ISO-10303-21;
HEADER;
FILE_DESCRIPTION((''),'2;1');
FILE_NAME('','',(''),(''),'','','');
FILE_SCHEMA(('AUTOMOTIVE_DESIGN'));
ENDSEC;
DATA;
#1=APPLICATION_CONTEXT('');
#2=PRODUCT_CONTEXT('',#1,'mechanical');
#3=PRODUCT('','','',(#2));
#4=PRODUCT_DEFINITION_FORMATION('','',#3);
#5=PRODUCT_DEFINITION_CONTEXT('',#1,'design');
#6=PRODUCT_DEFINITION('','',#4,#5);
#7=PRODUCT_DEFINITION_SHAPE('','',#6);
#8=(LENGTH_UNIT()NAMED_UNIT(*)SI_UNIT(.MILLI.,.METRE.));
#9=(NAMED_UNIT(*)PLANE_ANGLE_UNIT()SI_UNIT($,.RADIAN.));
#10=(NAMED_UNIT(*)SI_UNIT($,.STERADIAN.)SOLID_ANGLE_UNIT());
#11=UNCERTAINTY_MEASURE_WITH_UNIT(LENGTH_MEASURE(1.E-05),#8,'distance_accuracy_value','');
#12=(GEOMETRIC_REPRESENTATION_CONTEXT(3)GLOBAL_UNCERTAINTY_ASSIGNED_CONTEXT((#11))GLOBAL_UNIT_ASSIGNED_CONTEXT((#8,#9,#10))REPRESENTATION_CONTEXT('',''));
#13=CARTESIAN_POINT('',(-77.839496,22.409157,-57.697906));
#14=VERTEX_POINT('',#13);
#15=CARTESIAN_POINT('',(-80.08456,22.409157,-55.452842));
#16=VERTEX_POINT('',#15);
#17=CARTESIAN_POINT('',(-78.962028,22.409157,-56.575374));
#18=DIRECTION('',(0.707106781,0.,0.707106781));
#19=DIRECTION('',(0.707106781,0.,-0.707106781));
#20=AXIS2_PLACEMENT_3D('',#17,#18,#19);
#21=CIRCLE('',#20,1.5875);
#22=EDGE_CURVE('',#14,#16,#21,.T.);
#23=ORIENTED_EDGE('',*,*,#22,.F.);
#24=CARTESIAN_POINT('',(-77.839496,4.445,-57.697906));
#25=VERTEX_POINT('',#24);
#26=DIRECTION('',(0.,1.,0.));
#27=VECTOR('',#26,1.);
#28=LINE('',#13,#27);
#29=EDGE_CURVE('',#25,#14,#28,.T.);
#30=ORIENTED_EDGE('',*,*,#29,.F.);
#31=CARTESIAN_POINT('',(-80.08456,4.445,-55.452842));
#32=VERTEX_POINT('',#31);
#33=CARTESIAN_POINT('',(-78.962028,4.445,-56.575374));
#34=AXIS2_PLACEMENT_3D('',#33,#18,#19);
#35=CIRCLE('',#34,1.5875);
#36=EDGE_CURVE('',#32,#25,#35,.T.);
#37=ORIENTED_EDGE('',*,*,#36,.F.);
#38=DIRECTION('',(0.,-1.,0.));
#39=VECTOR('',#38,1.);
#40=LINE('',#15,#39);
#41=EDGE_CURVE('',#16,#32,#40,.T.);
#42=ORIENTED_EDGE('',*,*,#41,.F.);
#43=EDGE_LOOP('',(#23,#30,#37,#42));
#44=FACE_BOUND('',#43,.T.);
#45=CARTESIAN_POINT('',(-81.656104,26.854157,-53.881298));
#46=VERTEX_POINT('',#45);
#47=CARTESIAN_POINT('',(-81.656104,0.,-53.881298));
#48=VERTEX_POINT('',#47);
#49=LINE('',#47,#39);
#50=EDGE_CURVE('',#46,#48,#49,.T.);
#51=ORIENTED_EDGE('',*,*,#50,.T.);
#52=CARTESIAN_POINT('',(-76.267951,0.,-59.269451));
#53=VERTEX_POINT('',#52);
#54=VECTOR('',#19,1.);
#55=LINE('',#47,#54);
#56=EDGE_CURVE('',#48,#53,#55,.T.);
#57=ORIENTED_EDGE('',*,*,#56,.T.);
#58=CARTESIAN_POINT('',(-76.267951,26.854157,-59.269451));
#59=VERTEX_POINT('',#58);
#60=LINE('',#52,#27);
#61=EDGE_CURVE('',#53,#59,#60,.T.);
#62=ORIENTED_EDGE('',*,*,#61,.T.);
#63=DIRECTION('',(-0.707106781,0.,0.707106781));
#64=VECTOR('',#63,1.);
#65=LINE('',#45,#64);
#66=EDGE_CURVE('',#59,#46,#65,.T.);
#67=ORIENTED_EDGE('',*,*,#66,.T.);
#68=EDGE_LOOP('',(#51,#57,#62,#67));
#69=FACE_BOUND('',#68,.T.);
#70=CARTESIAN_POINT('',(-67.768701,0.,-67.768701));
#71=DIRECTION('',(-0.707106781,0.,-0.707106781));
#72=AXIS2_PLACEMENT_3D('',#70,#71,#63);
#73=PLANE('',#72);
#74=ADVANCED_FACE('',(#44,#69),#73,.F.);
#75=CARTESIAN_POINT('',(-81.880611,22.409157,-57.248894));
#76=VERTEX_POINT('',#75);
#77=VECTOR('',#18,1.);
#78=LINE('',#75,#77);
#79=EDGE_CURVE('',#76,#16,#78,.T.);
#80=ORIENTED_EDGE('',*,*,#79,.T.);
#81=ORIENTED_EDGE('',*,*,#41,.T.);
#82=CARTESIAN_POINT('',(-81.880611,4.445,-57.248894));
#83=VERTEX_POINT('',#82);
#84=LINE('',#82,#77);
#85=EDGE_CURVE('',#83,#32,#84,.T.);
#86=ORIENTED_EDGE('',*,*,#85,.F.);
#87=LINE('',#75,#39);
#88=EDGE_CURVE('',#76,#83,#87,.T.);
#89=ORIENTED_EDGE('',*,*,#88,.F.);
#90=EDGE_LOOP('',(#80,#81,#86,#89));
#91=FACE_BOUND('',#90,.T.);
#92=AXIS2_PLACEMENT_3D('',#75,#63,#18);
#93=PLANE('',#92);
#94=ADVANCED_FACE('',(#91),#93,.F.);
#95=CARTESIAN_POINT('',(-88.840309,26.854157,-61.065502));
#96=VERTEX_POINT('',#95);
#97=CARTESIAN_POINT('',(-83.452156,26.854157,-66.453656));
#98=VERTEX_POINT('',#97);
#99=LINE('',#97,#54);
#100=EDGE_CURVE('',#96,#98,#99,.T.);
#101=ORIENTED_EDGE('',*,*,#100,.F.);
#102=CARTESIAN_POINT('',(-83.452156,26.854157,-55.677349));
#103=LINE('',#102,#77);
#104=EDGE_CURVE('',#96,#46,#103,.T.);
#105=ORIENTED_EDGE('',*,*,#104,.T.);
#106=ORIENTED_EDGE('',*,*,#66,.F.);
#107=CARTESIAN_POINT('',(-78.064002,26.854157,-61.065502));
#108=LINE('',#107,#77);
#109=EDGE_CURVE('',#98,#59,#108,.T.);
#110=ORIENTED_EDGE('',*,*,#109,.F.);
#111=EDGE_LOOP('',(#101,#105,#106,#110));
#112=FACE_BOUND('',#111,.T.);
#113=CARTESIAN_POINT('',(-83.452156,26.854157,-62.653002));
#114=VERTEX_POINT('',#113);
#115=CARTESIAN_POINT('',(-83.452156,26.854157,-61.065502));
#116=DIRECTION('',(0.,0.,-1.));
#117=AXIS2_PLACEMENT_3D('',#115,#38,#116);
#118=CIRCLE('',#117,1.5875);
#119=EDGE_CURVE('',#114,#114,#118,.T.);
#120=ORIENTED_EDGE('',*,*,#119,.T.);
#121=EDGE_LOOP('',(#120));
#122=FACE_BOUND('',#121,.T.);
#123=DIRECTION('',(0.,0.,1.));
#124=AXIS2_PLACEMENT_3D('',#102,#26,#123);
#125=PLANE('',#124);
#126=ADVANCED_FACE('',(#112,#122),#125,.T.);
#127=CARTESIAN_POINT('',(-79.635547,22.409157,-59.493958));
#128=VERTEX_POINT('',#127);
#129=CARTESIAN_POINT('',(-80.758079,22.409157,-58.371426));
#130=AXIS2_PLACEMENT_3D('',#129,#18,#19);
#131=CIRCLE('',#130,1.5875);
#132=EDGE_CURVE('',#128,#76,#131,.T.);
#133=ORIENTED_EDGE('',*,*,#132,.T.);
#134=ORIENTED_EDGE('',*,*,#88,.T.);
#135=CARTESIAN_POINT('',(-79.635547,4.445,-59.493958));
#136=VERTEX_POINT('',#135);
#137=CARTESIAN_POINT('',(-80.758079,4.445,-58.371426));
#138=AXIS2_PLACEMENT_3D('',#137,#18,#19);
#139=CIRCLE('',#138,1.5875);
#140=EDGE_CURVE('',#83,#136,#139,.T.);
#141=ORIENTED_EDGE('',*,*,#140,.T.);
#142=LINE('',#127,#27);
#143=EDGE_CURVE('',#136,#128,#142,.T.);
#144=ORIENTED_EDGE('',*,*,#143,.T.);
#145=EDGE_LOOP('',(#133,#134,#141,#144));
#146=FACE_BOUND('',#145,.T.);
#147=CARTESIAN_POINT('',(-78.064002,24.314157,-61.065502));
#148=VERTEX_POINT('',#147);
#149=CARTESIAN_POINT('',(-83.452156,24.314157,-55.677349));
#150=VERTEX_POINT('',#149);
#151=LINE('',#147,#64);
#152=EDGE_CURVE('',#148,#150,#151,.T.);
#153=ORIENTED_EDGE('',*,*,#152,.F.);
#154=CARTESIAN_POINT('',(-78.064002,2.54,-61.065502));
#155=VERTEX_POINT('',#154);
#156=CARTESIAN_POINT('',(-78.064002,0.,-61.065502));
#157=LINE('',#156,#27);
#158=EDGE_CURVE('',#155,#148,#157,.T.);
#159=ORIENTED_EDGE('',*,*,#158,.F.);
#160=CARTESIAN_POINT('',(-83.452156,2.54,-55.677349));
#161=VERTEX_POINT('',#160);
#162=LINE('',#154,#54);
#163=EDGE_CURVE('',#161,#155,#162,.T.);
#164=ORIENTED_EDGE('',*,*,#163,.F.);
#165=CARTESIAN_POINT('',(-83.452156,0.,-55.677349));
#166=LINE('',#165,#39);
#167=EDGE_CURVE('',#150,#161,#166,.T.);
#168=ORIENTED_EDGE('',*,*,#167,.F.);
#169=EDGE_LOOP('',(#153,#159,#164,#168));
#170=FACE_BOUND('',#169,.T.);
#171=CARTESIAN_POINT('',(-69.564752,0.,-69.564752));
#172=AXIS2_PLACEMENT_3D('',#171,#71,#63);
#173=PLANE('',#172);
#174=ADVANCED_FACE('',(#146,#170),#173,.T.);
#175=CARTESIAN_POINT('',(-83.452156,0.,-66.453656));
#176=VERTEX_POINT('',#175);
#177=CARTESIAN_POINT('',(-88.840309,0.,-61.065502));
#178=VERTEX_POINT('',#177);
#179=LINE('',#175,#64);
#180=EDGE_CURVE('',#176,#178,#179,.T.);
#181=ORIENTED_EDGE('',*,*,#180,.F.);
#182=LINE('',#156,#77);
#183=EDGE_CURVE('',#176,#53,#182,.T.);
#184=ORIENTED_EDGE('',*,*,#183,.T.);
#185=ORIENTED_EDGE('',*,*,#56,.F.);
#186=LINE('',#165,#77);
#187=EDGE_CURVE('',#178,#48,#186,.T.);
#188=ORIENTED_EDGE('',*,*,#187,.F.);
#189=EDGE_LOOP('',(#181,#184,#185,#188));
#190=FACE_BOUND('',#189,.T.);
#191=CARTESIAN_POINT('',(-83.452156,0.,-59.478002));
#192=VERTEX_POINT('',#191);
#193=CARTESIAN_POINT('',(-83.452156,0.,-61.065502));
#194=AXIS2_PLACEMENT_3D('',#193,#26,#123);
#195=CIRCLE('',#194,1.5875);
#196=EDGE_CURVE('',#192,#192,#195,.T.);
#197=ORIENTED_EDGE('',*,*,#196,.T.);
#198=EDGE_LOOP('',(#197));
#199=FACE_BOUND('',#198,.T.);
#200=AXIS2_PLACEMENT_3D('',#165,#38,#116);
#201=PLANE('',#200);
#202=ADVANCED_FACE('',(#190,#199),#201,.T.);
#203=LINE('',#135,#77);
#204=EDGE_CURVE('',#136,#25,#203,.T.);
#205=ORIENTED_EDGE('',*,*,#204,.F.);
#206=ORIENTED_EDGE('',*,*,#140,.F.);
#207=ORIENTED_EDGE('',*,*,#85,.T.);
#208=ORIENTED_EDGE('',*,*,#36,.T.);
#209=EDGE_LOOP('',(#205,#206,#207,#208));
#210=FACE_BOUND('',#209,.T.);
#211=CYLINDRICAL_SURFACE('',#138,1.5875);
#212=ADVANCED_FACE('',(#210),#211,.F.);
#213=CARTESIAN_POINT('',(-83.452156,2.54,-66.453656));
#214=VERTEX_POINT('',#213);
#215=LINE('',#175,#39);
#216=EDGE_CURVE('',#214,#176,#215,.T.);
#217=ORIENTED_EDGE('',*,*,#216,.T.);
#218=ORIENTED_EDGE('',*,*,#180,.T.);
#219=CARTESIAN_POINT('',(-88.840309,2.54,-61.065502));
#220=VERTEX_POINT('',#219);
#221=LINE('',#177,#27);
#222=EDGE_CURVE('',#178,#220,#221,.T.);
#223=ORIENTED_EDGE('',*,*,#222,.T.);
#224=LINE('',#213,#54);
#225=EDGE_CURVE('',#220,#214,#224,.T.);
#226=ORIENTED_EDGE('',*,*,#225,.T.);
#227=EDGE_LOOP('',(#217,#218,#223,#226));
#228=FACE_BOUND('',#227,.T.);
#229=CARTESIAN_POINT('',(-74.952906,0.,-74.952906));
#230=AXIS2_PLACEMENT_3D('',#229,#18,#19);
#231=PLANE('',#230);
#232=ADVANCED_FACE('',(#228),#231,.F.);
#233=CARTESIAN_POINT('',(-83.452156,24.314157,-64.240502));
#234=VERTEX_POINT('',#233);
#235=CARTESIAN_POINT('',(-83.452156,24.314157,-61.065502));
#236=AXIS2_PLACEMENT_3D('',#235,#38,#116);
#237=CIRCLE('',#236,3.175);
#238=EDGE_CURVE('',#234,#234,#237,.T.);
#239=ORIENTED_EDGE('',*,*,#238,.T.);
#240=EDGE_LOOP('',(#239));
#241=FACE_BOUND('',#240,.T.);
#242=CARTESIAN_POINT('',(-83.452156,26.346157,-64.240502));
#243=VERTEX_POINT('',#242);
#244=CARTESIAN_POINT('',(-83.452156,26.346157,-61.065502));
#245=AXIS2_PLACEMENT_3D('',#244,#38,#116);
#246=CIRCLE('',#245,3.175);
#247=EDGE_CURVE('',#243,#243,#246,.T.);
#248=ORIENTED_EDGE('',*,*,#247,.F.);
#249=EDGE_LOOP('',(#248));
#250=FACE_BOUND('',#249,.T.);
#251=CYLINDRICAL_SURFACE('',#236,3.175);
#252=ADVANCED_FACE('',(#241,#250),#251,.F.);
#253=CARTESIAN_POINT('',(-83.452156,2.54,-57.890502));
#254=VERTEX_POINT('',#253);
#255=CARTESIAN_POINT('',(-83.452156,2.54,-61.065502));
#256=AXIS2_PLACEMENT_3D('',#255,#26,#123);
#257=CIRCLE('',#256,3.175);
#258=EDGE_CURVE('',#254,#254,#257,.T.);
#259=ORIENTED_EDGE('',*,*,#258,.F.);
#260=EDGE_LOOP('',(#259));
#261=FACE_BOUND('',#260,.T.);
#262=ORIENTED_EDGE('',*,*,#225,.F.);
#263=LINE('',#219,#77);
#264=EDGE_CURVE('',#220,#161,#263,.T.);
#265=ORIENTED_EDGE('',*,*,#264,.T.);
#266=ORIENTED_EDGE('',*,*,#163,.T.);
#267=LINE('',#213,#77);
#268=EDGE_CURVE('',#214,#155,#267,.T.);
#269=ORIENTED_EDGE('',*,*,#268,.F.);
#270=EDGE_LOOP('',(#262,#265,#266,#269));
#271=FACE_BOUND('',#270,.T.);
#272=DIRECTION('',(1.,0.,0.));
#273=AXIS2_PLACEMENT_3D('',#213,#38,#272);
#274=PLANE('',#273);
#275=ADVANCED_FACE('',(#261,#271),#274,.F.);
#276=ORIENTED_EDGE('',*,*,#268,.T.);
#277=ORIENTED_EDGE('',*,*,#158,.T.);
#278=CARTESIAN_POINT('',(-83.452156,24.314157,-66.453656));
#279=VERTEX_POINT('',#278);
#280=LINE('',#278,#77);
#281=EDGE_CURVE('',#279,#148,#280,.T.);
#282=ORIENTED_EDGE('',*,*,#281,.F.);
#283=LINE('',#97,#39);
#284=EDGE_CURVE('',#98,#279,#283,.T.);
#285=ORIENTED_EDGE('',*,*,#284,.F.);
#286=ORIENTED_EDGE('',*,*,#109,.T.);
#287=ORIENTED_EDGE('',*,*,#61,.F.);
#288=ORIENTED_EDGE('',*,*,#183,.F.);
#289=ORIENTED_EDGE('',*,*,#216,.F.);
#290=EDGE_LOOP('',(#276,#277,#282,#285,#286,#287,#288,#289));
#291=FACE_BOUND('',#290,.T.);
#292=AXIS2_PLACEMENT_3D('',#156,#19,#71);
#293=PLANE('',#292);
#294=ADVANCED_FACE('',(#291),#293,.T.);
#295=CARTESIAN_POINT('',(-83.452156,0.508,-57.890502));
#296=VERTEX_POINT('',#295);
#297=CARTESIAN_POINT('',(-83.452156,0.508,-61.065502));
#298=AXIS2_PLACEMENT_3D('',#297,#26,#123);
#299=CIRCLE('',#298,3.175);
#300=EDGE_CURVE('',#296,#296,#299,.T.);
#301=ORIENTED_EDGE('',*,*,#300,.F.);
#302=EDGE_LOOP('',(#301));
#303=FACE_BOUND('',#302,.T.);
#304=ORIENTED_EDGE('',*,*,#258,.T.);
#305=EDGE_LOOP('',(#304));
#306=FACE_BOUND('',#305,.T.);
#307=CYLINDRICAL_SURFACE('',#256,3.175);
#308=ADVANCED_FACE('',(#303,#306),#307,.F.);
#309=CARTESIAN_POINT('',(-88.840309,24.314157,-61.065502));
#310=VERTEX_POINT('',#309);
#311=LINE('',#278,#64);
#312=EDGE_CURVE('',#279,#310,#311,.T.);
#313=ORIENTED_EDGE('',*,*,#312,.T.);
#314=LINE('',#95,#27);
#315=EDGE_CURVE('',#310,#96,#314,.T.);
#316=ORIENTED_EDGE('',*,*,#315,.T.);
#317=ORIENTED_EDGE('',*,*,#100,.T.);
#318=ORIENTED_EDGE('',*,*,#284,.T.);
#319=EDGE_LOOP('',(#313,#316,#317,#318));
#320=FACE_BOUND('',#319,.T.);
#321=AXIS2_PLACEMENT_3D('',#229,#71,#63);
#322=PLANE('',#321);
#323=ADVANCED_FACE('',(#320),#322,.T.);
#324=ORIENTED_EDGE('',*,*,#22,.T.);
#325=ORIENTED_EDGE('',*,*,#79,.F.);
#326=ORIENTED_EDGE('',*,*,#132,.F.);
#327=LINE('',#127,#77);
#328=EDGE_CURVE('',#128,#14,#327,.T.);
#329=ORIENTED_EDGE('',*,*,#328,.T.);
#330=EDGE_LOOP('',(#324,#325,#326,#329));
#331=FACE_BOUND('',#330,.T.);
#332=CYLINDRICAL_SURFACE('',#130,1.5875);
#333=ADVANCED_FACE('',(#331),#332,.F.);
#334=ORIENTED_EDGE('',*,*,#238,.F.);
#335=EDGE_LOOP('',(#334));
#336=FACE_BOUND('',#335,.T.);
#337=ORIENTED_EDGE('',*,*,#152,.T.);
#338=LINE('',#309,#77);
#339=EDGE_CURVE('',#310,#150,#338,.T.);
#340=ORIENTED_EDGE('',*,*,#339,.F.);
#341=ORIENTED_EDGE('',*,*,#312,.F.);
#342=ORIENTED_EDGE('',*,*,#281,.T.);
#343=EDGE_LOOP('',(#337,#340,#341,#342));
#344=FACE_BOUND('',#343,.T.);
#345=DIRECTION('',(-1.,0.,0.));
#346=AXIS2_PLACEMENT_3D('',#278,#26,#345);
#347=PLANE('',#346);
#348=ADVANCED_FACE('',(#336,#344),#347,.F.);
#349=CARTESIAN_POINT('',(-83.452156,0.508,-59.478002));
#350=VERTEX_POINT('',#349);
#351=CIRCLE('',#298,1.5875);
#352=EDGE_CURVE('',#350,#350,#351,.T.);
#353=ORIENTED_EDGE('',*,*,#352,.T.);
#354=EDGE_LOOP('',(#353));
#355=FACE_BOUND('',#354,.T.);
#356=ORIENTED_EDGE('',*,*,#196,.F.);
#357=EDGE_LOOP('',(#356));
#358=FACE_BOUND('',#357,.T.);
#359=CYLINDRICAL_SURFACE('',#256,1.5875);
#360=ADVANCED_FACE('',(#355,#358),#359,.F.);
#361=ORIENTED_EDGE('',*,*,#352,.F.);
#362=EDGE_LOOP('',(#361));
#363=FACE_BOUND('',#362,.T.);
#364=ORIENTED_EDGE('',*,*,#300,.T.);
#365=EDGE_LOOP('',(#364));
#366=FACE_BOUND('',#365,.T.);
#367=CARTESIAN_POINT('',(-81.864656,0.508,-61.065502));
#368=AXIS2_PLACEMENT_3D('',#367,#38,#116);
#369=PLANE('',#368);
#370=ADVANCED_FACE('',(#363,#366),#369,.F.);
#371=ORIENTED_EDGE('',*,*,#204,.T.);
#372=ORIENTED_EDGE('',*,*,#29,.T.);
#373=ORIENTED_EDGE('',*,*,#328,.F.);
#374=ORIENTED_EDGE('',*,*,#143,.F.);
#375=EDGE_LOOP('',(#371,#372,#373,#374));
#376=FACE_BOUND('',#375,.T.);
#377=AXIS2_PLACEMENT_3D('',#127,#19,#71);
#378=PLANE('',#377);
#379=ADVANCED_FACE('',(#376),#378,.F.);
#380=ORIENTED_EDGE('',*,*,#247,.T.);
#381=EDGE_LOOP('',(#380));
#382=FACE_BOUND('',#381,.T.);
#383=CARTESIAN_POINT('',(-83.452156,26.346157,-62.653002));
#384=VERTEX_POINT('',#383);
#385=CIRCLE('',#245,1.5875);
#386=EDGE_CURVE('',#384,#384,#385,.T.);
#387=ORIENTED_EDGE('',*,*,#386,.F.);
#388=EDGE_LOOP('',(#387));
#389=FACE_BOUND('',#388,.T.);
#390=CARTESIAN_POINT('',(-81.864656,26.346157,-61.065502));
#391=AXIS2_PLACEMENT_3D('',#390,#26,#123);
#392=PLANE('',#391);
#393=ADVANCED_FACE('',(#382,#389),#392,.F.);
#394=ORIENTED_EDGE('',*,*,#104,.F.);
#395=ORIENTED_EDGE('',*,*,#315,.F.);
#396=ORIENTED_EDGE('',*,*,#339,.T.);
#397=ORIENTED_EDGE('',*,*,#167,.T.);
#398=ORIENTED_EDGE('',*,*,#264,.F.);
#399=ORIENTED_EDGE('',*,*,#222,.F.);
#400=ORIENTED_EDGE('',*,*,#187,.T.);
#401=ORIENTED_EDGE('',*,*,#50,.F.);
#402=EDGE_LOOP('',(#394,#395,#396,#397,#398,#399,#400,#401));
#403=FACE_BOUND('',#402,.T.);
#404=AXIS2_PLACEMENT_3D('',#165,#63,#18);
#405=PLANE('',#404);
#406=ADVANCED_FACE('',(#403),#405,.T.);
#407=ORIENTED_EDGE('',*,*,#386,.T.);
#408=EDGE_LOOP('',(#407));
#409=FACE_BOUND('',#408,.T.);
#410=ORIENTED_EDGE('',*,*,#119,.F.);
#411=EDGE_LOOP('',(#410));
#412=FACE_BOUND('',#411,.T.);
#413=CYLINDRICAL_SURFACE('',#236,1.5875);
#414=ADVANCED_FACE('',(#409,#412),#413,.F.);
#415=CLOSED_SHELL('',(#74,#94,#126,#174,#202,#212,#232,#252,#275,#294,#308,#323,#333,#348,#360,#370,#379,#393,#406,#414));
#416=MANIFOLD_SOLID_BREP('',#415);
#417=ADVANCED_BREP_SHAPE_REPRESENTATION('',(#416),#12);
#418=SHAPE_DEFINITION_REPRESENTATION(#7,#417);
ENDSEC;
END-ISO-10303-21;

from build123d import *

# Parameters (mm, degrees)
SKETCH1_W                                           = 7.62
SKETCH1_H                                           = 26.854156748
BOSS_EXTRUDE1_DEPTH                                 = 2.54
SKETCH2_W                                           = 7.62
SKETCH2_H                                           = 2.54
BOSS_EXTRUDE2_DEPTH                                 = 7.62
CBORE_FOR_4_BINDING_HEAD_MACHINE_SCREW3_D           = 3.175
CBORE_FOR_4_BINDING_HEAD_MACHINE_SCREW3_DEPTH       = 2.54
CBORE_FOR_4_BINDING_HEAD_MACHINE_SCREW3_CBORE_D     = 6.35
CBORE_FOR_4_BINDING_HEAD_MACHINE_SCREW3_CBORE_DEPTH = 2.032
CBORE_FOR_4_BINDING_HEAD_MACHINE_SCREW4_D           = 3.175
CBORE_FOR_4_BINDING_HEAD_MACHINE_SCREW4_DEPTH       = 2.54
CBORE_FOR_4_BINDING_HEAD_MACHINE_SCREW4_CBORE_D     = 6.35
CBORE_FOR_4_BINDING_HEAD_MACHINE_SCREW4_CBORE_DEPTH = 2.032


with BuildPart() as part:
    # Sketch1 → Boss-Extrude1 (new body)
    with BuildSketch(Plane(origin=(-67.768700971, 0, -67.768700971), x_dir=(0.707106781, 0, -0.707106781), z_dir=(0.707106781, 0, 0.707106781))):
        with Locations((-15.829754227, 13.427078374)):
            Rectangle(SKETCH1_W, SKETCH1_H)
        with BuildLine():
            Line((-14.242254227, 22.409156748), (-14.242254227, 4.445))
            ThreePointArc((-14.242254227, 4.445), (-15.829754227, 2.8575), (-17.417254227, 4.445))
            Line((-17.417254227, 4.445), (-17.417254227, 22.409156748))
            ThreePointArc((-17.417254227, 22.409156748), (-15.829754227, 23.996656748), (-14.242254227, 22.409156748))
        make_face(mode=Mode.SUBTRACT)
    extrude(amount=-BOSS_EXTRUDE1_DEPTH)

    # Sketch2 → Boss-Extrude2 (add)
    with BuildSketch(Plane(origin=(-69.564752195, 0, -69.564752195), x_dir=(-0.707106781, 0, 0.707106781), z_dir=(-0.707106781, 0, -0.707106781))):
        with Locations((15.829754227, 25.584156748)):
            Rectangle(SKETCH2_W, SKETCH2_H)
        with Locations((15.829754227, 1.27)):
            Rectangle(SKETCH2_W, SKETCH2_H)
    extrude(amount=BOSS_EXTRUDE2_DEPTH)

    # CBORE for #4 Binding Head Machine Screw3
    with Locations(Plane(origin=(0, 2.54, 0), x_dir=(1, 0, 0), z_dir=(0, 1, 0))):
        with Locations((-83.45215559, 61.065502473)):
            CounterBoreHole(CBORE_FOR_4_BINDING_HEAD_MACHINE_SCREW3_D / 2, CBORE_FOR_4_BINDING_HEAD_MACHINE_SCREW3_CBORE_D / 2, CBORE_FOR_4_BINDING_HEAD_MACHINE_SCREW3_CBORE_DEPTH, depth=CBORE_FOR_4_BINDING_HEAD_MACHINE_SCREW3_DEPTH)

    # CBORE for #4 Binding Head Machine Screw4
    with Locations(Plane(origin=(0, 24.314156748, 0), x_dir=(-1, 0, 0), z_dir=(0, -1, 0))):
        with Locations((83.45215559, 61.065502473)):
            CounterBoreHole(CBORE_FOR_4_BINDING_HEAD_MACHINE_SCREW4_D / 2, CBORE_FOR_4_BINDING_HEAD_MACHINE_SCREW4_CBORE_D / 2, CBORE_FOR_4_BINDING_HEAD_MACHINE_SCREW4_CBORE_DEPTH, depth=CBORE_FOR_4_BINDING_HEAD_MACHINE_SCREW4_DEPTH)


solid = part.part
